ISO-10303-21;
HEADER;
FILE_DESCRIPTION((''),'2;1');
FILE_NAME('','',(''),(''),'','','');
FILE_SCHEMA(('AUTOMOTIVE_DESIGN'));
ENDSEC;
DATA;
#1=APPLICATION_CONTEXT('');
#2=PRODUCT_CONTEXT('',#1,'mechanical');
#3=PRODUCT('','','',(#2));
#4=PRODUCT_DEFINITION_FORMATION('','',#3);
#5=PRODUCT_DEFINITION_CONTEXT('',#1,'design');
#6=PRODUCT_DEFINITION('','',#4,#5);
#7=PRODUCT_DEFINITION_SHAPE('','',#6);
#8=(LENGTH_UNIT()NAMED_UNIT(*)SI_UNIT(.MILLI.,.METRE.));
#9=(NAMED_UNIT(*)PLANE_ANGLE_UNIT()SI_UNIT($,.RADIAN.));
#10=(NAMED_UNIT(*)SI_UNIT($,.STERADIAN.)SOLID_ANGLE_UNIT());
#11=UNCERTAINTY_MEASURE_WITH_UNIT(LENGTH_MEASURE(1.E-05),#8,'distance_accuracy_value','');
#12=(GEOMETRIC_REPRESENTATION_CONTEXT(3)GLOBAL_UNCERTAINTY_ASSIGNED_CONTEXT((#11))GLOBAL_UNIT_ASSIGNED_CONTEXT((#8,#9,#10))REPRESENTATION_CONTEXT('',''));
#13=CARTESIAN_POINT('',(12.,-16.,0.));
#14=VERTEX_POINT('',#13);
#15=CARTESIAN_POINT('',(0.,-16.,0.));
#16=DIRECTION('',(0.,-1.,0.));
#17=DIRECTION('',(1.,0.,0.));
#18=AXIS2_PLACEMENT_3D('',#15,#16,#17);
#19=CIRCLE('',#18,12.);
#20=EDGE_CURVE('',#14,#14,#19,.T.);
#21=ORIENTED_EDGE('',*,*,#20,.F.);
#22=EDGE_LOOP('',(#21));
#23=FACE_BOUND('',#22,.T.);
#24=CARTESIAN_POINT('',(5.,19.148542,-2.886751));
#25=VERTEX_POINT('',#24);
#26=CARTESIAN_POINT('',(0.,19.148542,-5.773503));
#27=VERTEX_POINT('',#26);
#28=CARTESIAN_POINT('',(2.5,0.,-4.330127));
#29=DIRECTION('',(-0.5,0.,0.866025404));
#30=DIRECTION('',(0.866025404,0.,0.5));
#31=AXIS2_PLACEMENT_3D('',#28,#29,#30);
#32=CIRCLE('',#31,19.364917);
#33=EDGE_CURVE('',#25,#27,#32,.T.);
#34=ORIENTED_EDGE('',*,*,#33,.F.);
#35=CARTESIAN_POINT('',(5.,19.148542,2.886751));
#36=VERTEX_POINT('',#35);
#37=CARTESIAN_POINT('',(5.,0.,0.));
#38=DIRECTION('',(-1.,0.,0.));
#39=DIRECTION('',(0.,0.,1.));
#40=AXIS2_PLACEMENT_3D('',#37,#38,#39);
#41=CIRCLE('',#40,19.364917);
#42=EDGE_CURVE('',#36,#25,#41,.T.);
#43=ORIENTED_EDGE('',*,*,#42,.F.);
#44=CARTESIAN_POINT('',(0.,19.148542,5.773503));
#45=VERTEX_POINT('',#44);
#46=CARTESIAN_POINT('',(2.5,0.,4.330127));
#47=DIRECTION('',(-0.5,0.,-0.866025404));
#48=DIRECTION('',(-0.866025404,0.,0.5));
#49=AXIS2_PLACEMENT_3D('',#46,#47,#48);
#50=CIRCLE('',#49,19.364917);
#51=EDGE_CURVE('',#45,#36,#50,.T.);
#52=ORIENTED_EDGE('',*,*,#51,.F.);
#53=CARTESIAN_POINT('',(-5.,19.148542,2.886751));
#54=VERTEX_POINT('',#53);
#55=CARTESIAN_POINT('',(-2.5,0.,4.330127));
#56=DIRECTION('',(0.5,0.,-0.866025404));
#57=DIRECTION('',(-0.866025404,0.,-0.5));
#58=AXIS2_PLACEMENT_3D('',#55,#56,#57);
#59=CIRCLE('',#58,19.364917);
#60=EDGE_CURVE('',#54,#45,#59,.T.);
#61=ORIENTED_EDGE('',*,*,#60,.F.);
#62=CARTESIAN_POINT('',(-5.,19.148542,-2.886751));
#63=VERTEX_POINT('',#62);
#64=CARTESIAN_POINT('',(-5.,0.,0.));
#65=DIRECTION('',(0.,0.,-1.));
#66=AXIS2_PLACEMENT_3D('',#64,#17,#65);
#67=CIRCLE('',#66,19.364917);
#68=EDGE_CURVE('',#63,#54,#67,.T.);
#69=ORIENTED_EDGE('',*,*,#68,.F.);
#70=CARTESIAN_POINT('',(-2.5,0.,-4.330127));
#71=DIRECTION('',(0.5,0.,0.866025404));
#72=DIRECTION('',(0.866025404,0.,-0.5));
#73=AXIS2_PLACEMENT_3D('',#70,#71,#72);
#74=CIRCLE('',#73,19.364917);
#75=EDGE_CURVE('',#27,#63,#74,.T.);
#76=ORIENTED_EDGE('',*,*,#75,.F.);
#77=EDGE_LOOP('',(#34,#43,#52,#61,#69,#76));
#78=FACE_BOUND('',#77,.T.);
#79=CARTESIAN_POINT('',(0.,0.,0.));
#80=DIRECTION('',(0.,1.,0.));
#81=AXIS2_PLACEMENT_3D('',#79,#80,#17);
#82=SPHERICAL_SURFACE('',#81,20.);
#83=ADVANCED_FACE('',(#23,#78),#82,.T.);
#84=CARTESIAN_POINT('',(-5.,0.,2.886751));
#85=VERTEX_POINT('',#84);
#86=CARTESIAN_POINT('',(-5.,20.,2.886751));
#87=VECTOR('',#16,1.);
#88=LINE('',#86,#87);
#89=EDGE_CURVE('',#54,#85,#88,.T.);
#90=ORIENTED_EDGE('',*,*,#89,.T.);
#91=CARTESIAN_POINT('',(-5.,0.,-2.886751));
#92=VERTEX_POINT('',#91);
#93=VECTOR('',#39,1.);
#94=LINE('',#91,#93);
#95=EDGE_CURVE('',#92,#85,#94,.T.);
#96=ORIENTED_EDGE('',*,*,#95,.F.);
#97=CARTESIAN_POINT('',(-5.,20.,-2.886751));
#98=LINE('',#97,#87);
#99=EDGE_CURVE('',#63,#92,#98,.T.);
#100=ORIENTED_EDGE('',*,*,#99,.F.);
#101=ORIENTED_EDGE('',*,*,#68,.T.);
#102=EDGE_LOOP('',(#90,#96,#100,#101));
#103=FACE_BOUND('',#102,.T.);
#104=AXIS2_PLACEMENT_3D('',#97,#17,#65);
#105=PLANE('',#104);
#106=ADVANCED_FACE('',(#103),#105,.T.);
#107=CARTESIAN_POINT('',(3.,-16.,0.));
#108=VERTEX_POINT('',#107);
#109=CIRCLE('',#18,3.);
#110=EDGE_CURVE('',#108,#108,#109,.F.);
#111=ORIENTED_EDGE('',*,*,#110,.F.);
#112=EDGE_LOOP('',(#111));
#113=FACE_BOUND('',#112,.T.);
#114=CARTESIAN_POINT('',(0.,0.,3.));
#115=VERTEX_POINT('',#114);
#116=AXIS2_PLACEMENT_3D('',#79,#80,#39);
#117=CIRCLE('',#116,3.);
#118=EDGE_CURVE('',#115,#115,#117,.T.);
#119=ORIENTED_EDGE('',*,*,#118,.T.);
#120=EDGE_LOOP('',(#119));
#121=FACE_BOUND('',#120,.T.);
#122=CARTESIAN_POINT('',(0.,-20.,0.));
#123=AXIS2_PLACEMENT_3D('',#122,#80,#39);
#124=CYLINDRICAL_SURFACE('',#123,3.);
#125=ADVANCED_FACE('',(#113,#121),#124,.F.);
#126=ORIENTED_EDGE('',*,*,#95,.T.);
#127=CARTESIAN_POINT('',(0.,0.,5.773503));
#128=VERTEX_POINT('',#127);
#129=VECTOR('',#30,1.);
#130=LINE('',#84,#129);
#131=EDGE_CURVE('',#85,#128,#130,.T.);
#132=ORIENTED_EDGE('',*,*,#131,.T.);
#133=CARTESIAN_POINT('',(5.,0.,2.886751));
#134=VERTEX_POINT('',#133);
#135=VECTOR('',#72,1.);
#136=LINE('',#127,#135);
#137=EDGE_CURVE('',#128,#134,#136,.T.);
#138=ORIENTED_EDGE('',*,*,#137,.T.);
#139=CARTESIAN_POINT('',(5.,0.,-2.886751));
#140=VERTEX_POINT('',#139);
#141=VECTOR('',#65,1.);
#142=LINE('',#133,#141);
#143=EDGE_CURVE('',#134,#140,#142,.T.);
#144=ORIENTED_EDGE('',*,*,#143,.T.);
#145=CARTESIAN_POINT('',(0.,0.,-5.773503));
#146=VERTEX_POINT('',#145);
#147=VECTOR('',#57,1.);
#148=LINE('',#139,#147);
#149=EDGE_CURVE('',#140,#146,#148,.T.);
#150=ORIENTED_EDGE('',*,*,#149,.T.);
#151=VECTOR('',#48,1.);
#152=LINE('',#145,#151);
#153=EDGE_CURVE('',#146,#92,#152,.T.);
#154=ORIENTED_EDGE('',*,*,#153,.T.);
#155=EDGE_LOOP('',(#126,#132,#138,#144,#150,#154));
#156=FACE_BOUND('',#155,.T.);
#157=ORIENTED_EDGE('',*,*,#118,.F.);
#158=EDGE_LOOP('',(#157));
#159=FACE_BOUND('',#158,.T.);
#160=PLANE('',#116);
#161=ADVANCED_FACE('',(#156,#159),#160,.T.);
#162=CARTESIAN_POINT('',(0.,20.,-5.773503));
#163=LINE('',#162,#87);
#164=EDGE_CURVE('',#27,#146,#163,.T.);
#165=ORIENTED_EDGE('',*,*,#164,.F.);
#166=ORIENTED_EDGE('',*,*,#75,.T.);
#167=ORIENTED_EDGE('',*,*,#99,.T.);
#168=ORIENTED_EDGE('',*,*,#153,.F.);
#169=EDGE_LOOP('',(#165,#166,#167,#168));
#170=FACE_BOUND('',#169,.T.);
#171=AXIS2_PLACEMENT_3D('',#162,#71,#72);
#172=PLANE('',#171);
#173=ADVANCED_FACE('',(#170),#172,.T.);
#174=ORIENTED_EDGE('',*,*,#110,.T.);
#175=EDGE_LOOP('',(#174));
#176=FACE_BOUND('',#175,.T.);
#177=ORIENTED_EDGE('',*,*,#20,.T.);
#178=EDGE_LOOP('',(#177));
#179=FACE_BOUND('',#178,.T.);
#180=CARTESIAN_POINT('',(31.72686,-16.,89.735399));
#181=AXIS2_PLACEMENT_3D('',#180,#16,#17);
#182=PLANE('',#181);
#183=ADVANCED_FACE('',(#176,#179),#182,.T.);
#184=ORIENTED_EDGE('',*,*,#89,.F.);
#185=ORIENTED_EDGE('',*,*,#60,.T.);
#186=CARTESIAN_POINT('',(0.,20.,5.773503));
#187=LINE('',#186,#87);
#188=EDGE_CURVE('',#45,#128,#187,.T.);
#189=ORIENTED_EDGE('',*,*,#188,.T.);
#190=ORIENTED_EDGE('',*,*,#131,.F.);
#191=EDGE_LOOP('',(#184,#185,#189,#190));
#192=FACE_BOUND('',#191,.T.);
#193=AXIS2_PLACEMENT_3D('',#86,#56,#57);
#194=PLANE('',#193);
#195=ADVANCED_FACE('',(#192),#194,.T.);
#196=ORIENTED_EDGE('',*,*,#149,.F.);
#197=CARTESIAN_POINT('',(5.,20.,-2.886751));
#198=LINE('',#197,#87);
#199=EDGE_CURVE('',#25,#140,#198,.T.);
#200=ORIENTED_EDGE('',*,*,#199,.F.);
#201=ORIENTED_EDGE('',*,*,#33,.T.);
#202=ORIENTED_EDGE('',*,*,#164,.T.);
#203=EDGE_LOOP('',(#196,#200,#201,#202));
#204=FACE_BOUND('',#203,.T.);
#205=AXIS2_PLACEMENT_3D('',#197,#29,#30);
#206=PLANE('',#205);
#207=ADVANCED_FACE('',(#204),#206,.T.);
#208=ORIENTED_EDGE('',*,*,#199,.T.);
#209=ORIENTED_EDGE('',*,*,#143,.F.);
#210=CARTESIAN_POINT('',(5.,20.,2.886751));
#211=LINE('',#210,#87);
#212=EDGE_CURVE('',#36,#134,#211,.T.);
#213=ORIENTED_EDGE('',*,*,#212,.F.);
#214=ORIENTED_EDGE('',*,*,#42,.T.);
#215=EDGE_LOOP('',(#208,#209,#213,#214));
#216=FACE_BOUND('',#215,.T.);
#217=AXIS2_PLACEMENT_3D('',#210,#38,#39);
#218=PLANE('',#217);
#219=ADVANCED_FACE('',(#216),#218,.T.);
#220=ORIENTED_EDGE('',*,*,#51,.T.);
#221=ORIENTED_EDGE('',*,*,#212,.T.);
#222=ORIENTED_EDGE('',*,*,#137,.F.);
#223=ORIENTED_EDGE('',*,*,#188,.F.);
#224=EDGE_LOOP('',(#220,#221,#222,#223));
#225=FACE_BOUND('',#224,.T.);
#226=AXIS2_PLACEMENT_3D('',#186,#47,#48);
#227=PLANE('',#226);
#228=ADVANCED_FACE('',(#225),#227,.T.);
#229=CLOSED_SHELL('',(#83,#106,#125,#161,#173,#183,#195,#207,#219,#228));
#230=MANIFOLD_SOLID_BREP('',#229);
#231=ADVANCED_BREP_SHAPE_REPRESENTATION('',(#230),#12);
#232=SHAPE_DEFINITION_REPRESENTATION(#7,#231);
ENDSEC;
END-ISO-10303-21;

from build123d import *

# Parameters (mm, degrees)
ENL_V_MAT_EXTRU_1_DEPTH      = 21
ESQUISSE3_R                  = 3
ENL_V_MAT_EXTRU_2_DEPTH      = 21
ENL_V_MAT_EXTRU_3_DEPTH      = 21
ENL_V_MAT_EXTRU_3_DEPTH_BACK = 21


with BuildPart() as part:
    # Esquisse1 → Révolution1 (revolve)
    with BuildSketch(Plane.XY):
        with BuildLine():
            Line((0, 20), (0, -20))
            ThreePointArc((0, -20), (20, 0), (0, 20))
        make_face()
    revolve(axis=Axis((0, 38.8303663, 0), (0, -1, 0)))

    # Esquisse2 → Enlèv. mat.-Extru.1 (cut, through all)
    with BuildSketch(Plane(origin=(0, 0, 0), x_dir=(1, 0, 0), z_dir=(0, 1, 0))):
        Polygon((5, -2.886751346), (5, 2.886751346), (0, 5.773502692), (-5, 2.886751346), (-5, -2.886751346), (0, -5.773502692), align=None)
    extrude(amount=ENL_V_MAT_EXTRU_1_DEPTH, mode=Mode.SUBTRACT)

    # Esquisse3 → Enlèv. mat.-Extru.2 (cut, through all)
    with BuildSketch(Plane(origin=(0, 0, 0), x_dir=(1, 0, 0), z_dir=(0, 1, 0))):
        Circle(ESQUISSE3_R)
    extrude(amount=-ENL_V_MAT_EXTRU_2_DEPTH, mode=Mode.SUBTRACT)

    # Esquisse5 → Enlèv. mat.-Extru.3 (cut, two sides)
    with BuildSketch(Plane.XY) as enl_v_mat_extru_3_sk:
        Polygon((188.012399008, -16), (31.726859594, -16), (-44.024896915, -16), (-200.310436329, -16), (-200.310436329, -328.571078828), (188.012399008, -328.571078828), align=None)
    extrude(amount=ENL_V_MAT_EXTRU_3_DEPTH, mode=Mode.SUBTRACT)
    extrude(enl_v_mat_extru_3_sk.sketch, amount=-ENL_V_MAT_EXTRU_3_DEPTH_BACK, mode=Mode.SUBTRACT)


solid = part.part
